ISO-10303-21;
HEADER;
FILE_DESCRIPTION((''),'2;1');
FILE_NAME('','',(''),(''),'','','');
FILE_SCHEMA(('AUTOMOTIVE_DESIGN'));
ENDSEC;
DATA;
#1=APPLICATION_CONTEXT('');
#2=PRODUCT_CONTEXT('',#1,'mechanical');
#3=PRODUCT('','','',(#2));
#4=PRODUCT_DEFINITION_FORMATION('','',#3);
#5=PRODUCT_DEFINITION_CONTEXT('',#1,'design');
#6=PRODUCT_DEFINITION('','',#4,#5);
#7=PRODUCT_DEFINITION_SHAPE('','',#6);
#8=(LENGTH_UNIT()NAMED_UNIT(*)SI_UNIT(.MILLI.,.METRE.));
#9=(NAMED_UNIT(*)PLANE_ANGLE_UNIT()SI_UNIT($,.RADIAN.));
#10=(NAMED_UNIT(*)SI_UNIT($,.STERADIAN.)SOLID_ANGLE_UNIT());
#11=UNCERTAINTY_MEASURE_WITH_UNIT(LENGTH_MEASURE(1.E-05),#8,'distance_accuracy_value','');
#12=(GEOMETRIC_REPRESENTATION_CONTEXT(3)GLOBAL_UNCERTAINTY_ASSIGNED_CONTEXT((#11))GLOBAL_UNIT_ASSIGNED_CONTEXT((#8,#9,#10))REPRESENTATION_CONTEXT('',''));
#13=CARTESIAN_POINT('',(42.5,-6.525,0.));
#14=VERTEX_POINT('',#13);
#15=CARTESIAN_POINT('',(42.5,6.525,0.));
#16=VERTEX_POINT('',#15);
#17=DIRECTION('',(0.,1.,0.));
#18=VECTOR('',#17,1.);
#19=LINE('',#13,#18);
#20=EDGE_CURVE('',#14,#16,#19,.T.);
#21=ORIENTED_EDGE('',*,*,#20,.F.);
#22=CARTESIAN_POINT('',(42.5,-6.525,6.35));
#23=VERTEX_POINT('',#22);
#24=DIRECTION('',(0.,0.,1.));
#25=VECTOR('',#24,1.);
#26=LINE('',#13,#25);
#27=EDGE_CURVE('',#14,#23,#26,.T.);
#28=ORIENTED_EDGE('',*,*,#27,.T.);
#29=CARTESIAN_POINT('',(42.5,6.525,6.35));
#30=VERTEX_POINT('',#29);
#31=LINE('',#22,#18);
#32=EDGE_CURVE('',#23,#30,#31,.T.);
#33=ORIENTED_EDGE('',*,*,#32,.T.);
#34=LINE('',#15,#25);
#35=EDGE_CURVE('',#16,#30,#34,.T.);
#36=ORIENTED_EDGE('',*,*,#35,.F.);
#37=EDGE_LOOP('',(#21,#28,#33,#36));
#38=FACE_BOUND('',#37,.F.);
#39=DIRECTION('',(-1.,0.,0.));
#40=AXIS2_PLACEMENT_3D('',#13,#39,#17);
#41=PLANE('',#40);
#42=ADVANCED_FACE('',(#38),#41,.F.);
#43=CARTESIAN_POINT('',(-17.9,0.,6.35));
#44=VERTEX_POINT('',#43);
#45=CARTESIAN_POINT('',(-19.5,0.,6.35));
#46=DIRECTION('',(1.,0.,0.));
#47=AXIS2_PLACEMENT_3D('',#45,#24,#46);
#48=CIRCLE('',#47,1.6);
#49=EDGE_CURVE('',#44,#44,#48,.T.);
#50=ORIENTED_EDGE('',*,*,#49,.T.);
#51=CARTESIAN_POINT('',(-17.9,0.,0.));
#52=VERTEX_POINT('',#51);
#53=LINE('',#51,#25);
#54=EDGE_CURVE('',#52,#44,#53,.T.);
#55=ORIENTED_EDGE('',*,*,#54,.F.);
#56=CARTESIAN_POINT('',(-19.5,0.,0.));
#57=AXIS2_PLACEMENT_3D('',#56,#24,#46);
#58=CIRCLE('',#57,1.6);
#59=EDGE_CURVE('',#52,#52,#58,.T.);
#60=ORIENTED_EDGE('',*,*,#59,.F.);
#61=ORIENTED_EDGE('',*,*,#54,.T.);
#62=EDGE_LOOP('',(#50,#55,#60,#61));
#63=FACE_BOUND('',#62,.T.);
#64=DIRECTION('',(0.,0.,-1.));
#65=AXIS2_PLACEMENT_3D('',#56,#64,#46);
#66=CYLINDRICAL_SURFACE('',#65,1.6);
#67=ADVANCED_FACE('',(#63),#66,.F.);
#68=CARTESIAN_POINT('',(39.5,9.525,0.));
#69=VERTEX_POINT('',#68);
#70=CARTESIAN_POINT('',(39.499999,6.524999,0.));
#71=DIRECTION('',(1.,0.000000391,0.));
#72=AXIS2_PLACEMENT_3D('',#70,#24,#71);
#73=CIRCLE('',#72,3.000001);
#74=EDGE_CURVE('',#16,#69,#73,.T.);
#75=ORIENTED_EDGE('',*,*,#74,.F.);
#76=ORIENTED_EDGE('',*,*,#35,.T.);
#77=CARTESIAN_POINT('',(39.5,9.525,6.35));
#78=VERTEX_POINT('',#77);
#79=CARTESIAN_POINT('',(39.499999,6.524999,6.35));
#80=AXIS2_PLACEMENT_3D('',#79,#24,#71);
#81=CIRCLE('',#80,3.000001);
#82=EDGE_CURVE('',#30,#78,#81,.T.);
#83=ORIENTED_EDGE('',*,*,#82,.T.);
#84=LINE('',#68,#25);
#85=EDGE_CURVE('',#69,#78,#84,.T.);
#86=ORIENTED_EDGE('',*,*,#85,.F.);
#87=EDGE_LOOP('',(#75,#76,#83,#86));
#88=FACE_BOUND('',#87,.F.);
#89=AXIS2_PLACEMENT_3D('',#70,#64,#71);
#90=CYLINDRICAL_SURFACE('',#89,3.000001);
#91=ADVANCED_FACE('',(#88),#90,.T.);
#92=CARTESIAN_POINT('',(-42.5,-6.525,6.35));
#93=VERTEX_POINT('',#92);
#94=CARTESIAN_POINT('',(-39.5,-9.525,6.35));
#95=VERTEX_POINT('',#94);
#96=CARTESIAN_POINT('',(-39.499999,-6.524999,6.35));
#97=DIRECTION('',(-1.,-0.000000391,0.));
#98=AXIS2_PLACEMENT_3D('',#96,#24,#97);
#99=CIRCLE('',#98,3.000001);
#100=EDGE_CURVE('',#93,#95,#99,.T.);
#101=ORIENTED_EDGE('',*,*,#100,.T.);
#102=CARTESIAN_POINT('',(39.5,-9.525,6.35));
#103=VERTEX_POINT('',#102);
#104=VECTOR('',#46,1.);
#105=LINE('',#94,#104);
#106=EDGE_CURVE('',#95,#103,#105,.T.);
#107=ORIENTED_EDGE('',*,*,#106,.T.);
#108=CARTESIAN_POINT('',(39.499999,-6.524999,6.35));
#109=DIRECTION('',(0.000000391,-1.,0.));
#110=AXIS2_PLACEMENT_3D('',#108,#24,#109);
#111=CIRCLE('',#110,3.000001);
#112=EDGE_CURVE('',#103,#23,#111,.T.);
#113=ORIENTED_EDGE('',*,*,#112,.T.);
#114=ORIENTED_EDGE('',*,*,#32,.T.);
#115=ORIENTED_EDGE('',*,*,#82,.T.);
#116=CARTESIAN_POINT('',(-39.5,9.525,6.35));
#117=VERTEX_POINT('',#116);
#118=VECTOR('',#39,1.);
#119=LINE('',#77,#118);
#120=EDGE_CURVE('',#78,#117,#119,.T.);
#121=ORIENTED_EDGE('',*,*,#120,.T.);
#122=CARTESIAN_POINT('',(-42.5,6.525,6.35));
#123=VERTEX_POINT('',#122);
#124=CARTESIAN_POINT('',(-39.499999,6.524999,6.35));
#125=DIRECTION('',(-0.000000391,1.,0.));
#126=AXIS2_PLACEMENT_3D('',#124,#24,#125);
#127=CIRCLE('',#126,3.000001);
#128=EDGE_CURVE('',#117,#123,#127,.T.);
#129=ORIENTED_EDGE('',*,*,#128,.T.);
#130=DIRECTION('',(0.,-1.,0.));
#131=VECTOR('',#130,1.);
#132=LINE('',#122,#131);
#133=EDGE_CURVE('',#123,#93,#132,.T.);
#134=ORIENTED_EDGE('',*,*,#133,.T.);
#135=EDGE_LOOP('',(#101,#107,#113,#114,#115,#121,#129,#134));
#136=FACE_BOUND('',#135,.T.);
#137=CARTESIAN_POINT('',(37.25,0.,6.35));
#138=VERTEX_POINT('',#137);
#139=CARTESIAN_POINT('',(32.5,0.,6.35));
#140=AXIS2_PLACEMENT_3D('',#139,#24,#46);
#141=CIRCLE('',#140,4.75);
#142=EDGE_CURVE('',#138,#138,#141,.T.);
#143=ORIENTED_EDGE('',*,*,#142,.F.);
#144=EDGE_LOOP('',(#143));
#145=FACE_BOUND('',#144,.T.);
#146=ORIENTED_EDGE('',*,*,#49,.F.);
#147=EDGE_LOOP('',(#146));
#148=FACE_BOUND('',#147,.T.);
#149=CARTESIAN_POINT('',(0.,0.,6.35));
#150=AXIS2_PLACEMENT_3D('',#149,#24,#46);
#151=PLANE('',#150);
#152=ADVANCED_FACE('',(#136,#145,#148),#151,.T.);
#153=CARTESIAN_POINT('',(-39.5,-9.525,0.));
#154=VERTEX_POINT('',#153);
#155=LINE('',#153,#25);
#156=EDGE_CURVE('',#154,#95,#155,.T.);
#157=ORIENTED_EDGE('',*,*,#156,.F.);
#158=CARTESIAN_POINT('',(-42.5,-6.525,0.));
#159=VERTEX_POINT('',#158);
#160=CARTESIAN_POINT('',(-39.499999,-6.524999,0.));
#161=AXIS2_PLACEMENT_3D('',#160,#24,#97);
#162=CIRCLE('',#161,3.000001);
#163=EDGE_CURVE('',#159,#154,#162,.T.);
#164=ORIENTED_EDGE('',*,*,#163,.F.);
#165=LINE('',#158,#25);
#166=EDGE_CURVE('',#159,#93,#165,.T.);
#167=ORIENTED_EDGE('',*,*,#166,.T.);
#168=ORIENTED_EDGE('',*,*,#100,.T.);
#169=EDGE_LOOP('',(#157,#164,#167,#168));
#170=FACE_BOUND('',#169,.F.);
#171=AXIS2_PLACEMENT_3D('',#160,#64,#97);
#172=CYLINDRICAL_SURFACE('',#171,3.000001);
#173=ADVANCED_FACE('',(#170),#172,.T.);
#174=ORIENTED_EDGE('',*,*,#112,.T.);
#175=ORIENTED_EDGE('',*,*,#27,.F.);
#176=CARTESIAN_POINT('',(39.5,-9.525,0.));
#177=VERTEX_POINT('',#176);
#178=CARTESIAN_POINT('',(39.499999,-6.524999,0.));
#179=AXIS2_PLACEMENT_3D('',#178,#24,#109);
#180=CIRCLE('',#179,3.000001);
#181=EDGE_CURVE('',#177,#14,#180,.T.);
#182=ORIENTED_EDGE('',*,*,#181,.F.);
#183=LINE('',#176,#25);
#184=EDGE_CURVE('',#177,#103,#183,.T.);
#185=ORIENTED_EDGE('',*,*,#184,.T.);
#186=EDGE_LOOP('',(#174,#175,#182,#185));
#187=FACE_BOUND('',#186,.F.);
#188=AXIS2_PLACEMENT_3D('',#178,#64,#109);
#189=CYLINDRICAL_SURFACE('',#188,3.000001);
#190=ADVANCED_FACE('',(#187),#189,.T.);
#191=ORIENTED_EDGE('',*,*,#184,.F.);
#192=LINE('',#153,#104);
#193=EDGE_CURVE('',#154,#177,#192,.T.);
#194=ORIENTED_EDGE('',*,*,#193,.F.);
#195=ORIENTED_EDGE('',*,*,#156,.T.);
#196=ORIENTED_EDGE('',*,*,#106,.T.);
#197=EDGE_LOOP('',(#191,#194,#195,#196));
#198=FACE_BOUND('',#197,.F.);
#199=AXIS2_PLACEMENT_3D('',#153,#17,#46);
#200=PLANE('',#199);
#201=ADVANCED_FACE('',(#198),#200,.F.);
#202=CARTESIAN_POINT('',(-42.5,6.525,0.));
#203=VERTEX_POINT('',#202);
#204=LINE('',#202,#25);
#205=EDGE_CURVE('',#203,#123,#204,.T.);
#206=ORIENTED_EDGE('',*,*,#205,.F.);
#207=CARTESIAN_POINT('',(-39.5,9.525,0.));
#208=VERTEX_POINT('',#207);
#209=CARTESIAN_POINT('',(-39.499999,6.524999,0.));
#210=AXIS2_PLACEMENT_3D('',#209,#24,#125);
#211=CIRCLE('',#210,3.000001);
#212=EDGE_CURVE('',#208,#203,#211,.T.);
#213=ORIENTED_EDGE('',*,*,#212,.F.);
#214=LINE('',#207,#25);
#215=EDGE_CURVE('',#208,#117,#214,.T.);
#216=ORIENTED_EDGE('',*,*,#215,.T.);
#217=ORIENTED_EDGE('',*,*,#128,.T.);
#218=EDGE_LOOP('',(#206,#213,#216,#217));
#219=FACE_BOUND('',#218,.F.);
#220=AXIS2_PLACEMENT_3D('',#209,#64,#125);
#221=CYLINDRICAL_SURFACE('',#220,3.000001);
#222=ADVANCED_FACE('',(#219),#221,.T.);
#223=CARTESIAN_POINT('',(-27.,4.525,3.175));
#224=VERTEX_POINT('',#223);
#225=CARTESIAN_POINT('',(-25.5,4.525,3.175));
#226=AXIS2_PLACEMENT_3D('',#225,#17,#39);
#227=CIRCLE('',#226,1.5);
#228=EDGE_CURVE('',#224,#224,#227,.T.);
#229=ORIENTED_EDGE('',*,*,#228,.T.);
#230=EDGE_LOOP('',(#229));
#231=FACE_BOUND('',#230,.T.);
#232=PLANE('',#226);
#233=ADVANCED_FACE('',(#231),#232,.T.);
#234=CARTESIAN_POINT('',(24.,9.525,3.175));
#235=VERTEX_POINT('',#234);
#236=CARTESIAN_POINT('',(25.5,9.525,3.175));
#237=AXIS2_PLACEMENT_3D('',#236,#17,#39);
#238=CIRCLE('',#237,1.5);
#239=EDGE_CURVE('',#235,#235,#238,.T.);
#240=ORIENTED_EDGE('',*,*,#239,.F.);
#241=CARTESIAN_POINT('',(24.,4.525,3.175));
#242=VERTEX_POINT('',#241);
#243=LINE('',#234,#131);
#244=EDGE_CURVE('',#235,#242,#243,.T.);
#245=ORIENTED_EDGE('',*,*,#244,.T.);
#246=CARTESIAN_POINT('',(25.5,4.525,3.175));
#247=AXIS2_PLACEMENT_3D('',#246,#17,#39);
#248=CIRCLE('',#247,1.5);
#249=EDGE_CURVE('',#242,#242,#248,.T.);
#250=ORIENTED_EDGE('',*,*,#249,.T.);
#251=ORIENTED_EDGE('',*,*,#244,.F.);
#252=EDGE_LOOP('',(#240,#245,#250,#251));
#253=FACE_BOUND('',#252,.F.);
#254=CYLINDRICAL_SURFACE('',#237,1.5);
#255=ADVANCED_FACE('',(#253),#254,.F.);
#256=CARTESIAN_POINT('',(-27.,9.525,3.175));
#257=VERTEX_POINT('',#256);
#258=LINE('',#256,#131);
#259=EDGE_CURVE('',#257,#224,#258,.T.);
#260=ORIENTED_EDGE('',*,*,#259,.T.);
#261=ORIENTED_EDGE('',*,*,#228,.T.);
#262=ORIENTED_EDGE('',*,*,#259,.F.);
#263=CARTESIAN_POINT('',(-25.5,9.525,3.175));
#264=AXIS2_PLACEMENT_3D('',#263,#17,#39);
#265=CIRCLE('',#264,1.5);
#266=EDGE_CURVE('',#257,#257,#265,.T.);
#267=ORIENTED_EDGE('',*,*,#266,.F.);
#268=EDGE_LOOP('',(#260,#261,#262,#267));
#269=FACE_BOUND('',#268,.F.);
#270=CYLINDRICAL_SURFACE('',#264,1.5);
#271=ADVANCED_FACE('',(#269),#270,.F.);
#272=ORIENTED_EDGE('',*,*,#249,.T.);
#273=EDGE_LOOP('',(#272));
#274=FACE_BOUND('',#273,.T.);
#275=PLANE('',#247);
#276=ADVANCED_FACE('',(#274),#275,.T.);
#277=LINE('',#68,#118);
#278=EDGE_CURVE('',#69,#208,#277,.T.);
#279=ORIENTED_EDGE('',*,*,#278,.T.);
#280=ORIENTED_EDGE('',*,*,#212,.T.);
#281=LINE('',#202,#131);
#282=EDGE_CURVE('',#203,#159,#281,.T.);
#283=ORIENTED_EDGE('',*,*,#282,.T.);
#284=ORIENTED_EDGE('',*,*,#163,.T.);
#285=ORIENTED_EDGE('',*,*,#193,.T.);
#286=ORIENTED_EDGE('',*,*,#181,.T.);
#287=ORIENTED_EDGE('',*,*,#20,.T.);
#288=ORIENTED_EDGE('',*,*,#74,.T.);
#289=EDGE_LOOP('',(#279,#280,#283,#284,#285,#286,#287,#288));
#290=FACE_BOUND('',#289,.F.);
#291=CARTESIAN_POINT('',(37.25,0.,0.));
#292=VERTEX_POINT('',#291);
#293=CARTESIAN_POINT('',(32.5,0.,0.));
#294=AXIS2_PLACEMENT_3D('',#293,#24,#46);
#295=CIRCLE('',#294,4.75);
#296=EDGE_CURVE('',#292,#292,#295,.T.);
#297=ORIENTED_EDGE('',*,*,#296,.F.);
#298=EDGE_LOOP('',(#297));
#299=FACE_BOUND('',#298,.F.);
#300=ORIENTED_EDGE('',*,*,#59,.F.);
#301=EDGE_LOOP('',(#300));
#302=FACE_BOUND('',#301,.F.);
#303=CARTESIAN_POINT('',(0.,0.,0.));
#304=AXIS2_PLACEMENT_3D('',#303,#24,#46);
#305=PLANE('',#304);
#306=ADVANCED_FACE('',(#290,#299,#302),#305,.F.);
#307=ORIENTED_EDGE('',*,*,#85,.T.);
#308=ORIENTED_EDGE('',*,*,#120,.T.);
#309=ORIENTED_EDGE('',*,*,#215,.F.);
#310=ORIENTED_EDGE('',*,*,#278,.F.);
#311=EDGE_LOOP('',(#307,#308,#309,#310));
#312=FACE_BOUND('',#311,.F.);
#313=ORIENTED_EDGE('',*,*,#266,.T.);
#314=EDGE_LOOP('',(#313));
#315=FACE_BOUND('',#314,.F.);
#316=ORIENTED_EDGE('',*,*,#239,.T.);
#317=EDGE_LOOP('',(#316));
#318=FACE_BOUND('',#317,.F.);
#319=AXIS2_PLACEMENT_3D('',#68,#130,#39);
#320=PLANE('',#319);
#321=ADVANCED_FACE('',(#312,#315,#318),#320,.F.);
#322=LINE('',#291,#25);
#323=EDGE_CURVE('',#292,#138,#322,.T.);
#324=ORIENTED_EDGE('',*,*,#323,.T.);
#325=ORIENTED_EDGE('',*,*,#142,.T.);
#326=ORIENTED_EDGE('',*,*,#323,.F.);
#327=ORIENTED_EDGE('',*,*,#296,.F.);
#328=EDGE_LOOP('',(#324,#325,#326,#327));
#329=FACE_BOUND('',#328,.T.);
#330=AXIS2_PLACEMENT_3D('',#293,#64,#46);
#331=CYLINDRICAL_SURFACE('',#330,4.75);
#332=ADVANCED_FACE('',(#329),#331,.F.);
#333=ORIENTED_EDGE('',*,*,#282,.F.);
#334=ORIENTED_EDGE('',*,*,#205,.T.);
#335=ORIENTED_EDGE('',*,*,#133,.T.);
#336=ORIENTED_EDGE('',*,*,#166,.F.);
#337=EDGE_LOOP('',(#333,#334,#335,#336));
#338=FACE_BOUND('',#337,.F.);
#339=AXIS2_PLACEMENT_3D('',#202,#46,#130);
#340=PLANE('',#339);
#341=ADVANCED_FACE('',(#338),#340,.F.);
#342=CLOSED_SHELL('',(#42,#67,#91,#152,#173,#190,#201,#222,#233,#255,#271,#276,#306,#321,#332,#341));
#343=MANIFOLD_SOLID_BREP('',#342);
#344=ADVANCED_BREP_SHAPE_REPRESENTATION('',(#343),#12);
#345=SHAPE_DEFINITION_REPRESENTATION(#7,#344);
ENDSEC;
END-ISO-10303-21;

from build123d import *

# Parameters (mm, degrees)
F0_R     = 1.6
F0_R_2   = 4.75
F1_DEPTH = 6.35
F2_R     = 1.5
F3_DEPTH = 5


with BuildPart() as f1:
    # F0 (on Top) → F1 (new body)
    with BuildSketch(Plane.XY):
        with BuildLine():
            ThreePointArc((42.5, 6.525), (41.62132, 8.64632), (39.5, 9.525))
            Line((39.5, 9.525), (-39.5, 9.525))
            ThreePointArc((-39.5, 9.525), (-41.62132, 8.64632), (-42.5, 6.525))
            Line((-42.5, 6.525), (-42.5, -6.525))
            ThreePointArc((-42.5, -6.525), (-41.62132, -8.64632), (-39.5, -9.525))
            Line((-39.5, -9.525), (39.5, -9.525))
            ThreePointArc((39.5, -9.525), (41.62132, -8.64632), (42.5, -6.525))
            Line((42.5, -6.525), (42.5, 6.525))
        make_face()
        with Locations((-19.5, 0)):
            Circle(F0_R, mode=Mode.SUBTRACT)
        with Locations((32.5, 0)):
            Circle(F0_R_2, mode=Mode.SUBTRACT)
    extrude(amount=F1_DEPTH)

    # F2 (on face) → F3 (cut)
    with BuildSketch(Plane(origin=(0, 9.525, 0), x_dir=(-1, 0, 0), z_dir=(0, 1, 0))):
        with Locations((25.5, 3.175)):
            Circle(F2_R)
        with Locations((-25.5, 3.175)):
            Circle(F2_R)
    extrude(amount=-F3_DEPTH, mode=Mode.SUBTRACT)


solid = f1.part
